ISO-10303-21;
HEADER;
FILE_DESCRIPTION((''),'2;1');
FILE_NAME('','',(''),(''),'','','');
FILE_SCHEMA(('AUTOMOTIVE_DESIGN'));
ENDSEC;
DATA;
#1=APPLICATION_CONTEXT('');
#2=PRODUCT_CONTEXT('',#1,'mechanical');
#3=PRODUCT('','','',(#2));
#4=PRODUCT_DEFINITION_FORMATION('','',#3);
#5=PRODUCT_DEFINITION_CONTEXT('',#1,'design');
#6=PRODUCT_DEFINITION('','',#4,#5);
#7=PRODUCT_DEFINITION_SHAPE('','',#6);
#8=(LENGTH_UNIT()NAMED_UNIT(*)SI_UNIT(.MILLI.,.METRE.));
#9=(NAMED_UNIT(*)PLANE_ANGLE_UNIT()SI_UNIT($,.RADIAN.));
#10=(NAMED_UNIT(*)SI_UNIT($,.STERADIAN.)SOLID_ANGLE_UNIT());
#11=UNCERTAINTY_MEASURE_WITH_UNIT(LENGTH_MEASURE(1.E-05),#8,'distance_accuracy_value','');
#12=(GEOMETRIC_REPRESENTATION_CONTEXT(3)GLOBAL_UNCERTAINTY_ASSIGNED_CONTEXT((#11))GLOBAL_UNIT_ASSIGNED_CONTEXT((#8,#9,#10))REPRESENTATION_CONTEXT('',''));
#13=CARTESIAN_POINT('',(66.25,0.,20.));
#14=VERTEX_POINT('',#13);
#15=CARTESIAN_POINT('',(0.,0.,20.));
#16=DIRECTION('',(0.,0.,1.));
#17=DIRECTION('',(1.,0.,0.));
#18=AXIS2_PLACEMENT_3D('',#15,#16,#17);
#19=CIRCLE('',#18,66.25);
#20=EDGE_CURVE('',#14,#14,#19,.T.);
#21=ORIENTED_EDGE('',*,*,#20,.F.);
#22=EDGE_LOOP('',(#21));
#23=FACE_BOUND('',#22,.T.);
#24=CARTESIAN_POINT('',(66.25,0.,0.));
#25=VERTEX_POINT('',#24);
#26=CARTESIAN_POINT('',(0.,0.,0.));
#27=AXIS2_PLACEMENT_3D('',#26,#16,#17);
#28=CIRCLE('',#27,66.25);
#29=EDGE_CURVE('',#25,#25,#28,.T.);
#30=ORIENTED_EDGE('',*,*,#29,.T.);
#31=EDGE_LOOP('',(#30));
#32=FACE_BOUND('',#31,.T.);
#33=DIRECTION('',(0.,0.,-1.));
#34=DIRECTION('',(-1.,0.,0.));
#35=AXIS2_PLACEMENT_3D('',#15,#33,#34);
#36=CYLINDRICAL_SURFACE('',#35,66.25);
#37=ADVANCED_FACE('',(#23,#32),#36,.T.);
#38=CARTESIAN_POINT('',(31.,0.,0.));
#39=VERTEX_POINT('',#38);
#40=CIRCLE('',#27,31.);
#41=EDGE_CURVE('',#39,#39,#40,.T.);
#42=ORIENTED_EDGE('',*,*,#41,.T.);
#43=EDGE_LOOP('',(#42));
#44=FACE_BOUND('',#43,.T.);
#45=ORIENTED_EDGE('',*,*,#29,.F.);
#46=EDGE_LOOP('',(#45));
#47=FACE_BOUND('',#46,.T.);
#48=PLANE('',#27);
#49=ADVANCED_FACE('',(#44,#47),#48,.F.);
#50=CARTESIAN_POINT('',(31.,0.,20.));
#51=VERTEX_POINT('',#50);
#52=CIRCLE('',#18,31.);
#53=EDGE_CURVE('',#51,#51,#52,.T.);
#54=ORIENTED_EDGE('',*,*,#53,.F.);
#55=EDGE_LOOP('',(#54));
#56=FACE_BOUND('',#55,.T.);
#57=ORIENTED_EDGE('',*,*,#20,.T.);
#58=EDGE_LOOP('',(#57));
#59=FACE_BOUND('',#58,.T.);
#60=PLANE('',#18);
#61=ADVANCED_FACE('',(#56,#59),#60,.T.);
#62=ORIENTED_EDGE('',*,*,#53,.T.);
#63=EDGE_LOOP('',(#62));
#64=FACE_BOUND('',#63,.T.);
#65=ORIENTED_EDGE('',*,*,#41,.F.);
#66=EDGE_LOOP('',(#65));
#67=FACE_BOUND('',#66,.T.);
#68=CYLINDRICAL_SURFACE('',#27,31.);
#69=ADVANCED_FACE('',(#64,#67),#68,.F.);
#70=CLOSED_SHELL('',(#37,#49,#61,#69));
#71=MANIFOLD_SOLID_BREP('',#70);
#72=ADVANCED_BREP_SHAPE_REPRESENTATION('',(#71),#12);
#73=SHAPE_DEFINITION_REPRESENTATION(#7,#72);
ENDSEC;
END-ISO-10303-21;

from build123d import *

# Parameters (mm, degrees)
SKETCH1_R           = 66.25
SKETCH1_R_2         = 25
BOSS_EXTRUDE1_DEPTH = 20
SKETCH4_R           = 31
CUT_EXTRUDE2_DEPTH  = 21


with BuildPart() as part:
    # Sketch1 → Boss-Extrude1 (new body)
    with BuildSketch(Plane.XY):
        Circle(SKETCH1_R)
        Circle(SKETCH1_R_2, mode=Mode.SUBTRACT)
    extrude(amount=BOSS_EXTRUDE1_DEPTH)

    # Sketch4 → Cut-Extrude2 (cut, through all)
    with BuildSketch(Plane.XY.offset(20)):
        Circle(SKETCH4_R)
    extrude(amount=-CUT_EXTRUDE2_DEPTH, mode=Mode.SUBTRACT)


solid = part.part
